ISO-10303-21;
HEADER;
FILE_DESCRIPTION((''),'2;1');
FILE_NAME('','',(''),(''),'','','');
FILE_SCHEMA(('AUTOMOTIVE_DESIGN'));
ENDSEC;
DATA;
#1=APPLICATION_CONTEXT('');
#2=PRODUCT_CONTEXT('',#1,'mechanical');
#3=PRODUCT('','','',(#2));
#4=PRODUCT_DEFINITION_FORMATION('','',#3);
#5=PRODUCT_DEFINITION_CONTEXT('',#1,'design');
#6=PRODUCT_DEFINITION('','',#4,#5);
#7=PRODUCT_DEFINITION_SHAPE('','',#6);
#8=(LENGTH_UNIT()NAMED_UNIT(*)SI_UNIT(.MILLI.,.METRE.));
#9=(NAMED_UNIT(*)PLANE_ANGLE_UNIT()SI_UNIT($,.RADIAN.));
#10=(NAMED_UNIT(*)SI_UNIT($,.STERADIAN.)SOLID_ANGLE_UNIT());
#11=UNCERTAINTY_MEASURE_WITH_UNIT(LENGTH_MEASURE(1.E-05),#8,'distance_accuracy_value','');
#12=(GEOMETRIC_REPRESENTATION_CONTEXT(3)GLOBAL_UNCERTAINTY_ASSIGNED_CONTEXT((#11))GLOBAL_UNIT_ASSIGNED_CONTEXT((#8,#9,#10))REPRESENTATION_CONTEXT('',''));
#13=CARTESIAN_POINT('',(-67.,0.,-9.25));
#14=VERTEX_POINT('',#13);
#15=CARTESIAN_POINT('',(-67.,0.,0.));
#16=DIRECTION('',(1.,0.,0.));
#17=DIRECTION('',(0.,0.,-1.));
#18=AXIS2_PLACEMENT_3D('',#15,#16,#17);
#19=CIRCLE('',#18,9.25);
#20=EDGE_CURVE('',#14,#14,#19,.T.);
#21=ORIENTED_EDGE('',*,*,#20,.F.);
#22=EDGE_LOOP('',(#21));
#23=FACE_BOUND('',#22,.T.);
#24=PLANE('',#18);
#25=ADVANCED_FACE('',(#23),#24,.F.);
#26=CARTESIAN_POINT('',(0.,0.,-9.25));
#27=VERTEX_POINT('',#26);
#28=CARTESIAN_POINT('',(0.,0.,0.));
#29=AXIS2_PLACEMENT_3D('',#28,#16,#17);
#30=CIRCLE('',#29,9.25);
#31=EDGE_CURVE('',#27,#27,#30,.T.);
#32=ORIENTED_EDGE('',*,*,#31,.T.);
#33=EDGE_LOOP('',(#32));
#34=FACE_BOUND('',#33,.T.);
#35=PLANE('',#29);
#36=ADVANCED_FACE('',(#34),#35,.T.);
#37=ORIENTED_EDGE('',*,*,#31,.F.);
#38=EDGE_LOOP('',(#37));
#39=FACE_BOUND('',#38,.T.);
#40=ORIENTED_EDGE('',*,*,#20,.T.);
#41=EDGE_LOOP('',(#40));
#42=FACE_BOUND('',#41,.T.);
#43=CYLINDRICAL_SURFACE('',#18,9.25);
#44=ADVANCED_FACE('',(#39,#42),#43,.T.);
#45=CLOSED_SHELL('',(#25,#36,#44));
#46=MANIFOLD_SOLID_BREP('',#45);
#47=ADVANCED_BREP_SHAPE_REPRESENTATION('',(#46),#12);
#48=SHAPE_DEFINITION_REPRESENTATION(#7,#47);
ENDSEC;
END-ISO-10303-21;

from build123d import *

# Parameters (mm, degrees)
ESBO_O1_R                = 9.25
RESSALTO_EXTRUS_O1_DEPTH = 67


with BuildPart() as part:
    # Esboço1 → Ressalto-extrusão1 (new body)
    with BuildSketch(Plane(origin=(0, 0, 0), x_dir=(0, 0, -1), z_dir=(1, 0, 0))):
        Circle(ESBO_O1_R)
    extrude(amount=-RESSALTO_EXTRUS_O1_DEPTH)


solid = part.part
